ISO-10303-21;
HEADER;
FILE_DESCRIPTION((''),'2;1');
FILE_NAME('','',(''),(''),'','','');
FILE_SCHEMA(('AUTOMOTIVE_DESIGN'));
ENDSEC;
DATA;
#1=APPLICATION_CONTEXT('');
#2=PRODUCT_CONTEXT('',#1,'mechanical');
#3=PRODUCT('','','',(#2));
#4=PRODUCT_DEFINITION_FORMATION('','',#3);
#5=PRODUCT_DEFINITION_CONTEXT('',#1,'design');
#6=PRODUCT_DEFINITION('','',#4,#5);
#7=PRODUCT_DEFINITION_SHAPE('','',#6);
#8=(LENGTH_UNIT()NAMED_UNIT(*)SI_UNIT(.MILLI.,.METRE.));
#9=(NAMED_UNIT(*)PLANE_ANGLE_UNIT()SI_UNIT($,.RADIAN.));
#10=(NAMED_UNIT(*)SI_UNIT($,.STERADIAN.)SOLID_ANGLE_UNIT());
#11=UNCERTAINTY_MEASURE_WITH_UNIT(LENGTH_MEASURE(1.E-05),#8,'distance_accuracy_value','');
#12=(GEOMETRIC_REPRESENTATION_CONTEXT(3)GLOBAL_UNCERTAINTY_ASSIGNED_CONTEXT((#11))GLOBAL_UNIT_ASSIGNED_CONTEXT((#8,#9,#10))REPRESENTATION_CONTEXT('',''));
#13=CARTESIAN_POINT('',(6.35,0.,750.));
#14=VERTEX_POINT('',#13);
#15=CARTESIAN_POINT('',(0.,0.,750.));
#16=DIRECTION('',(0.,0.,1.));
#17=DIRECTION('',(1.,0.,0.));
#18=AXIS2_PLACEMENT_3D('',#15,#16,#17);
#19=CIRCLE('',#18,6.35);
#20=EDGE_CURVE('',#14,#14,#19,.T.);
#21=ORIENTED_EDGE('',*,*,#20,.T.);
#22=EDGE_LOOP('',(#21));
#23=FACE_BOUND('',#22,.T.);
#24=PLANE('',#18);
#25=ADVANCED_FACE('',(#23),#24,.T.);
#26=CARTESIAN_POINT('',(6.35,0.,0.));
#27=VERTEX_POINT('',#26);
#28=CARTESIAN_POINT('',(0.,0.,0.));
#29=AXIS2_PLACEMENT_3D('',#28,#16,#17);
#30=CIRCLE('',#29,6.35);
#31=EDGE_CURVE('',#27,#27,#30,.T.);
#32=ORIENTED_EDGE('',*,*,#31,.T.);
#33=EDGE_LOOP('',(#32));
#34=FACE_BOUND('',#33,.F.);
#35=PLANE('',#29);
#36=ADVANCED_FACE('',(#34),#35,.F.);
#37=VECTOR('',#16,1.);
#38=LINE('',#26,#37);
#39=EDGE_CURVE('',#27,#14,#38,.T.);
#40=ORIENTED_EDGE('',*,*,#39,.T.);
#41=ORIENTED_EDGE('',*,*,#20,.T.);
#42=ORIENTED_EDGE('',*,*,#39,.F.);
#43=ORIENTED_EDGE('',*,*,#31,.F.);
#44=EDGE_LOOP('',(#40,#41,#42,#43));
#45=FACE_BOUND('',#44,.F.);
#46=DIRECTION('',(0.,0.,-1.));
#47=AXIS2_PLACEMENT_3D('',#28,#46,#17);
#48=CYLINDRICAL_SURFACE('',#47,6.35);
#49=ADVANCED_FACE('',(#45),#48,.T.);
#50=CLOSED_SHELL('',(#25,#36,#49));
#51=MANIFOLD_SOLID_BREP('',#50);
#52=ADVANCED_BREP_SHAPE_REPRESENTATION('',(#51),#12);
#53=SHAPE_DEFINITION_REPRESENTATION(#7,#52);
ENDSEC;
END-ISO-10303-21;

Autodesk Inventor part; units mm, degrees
ref_plane "YZ Plane" through (0, 0, 0) normal (1, 0, 0) x (0, 1, 0)
ref_plane "XZ Plane" through (0, 0, 0) normal (0, 1, 0) x (-1, 0, 0)
ref_plane "XY Plane" through (0, 0, 0) normal (0, 0, 1) x (1, 0, 0)
sketch "Esboço1" plane through (0, 0, 0) normal (0, 0, 1) x (1, 0, 0)
  circle A0 centre (0, 0) radius 6.35
  dimension "d0" = 12.7
extrude "Extrusão1" add sketch "Esboço1" along normal blind 750
properties part number "Eixo" material "Aço AISI 1020 107 HR"
